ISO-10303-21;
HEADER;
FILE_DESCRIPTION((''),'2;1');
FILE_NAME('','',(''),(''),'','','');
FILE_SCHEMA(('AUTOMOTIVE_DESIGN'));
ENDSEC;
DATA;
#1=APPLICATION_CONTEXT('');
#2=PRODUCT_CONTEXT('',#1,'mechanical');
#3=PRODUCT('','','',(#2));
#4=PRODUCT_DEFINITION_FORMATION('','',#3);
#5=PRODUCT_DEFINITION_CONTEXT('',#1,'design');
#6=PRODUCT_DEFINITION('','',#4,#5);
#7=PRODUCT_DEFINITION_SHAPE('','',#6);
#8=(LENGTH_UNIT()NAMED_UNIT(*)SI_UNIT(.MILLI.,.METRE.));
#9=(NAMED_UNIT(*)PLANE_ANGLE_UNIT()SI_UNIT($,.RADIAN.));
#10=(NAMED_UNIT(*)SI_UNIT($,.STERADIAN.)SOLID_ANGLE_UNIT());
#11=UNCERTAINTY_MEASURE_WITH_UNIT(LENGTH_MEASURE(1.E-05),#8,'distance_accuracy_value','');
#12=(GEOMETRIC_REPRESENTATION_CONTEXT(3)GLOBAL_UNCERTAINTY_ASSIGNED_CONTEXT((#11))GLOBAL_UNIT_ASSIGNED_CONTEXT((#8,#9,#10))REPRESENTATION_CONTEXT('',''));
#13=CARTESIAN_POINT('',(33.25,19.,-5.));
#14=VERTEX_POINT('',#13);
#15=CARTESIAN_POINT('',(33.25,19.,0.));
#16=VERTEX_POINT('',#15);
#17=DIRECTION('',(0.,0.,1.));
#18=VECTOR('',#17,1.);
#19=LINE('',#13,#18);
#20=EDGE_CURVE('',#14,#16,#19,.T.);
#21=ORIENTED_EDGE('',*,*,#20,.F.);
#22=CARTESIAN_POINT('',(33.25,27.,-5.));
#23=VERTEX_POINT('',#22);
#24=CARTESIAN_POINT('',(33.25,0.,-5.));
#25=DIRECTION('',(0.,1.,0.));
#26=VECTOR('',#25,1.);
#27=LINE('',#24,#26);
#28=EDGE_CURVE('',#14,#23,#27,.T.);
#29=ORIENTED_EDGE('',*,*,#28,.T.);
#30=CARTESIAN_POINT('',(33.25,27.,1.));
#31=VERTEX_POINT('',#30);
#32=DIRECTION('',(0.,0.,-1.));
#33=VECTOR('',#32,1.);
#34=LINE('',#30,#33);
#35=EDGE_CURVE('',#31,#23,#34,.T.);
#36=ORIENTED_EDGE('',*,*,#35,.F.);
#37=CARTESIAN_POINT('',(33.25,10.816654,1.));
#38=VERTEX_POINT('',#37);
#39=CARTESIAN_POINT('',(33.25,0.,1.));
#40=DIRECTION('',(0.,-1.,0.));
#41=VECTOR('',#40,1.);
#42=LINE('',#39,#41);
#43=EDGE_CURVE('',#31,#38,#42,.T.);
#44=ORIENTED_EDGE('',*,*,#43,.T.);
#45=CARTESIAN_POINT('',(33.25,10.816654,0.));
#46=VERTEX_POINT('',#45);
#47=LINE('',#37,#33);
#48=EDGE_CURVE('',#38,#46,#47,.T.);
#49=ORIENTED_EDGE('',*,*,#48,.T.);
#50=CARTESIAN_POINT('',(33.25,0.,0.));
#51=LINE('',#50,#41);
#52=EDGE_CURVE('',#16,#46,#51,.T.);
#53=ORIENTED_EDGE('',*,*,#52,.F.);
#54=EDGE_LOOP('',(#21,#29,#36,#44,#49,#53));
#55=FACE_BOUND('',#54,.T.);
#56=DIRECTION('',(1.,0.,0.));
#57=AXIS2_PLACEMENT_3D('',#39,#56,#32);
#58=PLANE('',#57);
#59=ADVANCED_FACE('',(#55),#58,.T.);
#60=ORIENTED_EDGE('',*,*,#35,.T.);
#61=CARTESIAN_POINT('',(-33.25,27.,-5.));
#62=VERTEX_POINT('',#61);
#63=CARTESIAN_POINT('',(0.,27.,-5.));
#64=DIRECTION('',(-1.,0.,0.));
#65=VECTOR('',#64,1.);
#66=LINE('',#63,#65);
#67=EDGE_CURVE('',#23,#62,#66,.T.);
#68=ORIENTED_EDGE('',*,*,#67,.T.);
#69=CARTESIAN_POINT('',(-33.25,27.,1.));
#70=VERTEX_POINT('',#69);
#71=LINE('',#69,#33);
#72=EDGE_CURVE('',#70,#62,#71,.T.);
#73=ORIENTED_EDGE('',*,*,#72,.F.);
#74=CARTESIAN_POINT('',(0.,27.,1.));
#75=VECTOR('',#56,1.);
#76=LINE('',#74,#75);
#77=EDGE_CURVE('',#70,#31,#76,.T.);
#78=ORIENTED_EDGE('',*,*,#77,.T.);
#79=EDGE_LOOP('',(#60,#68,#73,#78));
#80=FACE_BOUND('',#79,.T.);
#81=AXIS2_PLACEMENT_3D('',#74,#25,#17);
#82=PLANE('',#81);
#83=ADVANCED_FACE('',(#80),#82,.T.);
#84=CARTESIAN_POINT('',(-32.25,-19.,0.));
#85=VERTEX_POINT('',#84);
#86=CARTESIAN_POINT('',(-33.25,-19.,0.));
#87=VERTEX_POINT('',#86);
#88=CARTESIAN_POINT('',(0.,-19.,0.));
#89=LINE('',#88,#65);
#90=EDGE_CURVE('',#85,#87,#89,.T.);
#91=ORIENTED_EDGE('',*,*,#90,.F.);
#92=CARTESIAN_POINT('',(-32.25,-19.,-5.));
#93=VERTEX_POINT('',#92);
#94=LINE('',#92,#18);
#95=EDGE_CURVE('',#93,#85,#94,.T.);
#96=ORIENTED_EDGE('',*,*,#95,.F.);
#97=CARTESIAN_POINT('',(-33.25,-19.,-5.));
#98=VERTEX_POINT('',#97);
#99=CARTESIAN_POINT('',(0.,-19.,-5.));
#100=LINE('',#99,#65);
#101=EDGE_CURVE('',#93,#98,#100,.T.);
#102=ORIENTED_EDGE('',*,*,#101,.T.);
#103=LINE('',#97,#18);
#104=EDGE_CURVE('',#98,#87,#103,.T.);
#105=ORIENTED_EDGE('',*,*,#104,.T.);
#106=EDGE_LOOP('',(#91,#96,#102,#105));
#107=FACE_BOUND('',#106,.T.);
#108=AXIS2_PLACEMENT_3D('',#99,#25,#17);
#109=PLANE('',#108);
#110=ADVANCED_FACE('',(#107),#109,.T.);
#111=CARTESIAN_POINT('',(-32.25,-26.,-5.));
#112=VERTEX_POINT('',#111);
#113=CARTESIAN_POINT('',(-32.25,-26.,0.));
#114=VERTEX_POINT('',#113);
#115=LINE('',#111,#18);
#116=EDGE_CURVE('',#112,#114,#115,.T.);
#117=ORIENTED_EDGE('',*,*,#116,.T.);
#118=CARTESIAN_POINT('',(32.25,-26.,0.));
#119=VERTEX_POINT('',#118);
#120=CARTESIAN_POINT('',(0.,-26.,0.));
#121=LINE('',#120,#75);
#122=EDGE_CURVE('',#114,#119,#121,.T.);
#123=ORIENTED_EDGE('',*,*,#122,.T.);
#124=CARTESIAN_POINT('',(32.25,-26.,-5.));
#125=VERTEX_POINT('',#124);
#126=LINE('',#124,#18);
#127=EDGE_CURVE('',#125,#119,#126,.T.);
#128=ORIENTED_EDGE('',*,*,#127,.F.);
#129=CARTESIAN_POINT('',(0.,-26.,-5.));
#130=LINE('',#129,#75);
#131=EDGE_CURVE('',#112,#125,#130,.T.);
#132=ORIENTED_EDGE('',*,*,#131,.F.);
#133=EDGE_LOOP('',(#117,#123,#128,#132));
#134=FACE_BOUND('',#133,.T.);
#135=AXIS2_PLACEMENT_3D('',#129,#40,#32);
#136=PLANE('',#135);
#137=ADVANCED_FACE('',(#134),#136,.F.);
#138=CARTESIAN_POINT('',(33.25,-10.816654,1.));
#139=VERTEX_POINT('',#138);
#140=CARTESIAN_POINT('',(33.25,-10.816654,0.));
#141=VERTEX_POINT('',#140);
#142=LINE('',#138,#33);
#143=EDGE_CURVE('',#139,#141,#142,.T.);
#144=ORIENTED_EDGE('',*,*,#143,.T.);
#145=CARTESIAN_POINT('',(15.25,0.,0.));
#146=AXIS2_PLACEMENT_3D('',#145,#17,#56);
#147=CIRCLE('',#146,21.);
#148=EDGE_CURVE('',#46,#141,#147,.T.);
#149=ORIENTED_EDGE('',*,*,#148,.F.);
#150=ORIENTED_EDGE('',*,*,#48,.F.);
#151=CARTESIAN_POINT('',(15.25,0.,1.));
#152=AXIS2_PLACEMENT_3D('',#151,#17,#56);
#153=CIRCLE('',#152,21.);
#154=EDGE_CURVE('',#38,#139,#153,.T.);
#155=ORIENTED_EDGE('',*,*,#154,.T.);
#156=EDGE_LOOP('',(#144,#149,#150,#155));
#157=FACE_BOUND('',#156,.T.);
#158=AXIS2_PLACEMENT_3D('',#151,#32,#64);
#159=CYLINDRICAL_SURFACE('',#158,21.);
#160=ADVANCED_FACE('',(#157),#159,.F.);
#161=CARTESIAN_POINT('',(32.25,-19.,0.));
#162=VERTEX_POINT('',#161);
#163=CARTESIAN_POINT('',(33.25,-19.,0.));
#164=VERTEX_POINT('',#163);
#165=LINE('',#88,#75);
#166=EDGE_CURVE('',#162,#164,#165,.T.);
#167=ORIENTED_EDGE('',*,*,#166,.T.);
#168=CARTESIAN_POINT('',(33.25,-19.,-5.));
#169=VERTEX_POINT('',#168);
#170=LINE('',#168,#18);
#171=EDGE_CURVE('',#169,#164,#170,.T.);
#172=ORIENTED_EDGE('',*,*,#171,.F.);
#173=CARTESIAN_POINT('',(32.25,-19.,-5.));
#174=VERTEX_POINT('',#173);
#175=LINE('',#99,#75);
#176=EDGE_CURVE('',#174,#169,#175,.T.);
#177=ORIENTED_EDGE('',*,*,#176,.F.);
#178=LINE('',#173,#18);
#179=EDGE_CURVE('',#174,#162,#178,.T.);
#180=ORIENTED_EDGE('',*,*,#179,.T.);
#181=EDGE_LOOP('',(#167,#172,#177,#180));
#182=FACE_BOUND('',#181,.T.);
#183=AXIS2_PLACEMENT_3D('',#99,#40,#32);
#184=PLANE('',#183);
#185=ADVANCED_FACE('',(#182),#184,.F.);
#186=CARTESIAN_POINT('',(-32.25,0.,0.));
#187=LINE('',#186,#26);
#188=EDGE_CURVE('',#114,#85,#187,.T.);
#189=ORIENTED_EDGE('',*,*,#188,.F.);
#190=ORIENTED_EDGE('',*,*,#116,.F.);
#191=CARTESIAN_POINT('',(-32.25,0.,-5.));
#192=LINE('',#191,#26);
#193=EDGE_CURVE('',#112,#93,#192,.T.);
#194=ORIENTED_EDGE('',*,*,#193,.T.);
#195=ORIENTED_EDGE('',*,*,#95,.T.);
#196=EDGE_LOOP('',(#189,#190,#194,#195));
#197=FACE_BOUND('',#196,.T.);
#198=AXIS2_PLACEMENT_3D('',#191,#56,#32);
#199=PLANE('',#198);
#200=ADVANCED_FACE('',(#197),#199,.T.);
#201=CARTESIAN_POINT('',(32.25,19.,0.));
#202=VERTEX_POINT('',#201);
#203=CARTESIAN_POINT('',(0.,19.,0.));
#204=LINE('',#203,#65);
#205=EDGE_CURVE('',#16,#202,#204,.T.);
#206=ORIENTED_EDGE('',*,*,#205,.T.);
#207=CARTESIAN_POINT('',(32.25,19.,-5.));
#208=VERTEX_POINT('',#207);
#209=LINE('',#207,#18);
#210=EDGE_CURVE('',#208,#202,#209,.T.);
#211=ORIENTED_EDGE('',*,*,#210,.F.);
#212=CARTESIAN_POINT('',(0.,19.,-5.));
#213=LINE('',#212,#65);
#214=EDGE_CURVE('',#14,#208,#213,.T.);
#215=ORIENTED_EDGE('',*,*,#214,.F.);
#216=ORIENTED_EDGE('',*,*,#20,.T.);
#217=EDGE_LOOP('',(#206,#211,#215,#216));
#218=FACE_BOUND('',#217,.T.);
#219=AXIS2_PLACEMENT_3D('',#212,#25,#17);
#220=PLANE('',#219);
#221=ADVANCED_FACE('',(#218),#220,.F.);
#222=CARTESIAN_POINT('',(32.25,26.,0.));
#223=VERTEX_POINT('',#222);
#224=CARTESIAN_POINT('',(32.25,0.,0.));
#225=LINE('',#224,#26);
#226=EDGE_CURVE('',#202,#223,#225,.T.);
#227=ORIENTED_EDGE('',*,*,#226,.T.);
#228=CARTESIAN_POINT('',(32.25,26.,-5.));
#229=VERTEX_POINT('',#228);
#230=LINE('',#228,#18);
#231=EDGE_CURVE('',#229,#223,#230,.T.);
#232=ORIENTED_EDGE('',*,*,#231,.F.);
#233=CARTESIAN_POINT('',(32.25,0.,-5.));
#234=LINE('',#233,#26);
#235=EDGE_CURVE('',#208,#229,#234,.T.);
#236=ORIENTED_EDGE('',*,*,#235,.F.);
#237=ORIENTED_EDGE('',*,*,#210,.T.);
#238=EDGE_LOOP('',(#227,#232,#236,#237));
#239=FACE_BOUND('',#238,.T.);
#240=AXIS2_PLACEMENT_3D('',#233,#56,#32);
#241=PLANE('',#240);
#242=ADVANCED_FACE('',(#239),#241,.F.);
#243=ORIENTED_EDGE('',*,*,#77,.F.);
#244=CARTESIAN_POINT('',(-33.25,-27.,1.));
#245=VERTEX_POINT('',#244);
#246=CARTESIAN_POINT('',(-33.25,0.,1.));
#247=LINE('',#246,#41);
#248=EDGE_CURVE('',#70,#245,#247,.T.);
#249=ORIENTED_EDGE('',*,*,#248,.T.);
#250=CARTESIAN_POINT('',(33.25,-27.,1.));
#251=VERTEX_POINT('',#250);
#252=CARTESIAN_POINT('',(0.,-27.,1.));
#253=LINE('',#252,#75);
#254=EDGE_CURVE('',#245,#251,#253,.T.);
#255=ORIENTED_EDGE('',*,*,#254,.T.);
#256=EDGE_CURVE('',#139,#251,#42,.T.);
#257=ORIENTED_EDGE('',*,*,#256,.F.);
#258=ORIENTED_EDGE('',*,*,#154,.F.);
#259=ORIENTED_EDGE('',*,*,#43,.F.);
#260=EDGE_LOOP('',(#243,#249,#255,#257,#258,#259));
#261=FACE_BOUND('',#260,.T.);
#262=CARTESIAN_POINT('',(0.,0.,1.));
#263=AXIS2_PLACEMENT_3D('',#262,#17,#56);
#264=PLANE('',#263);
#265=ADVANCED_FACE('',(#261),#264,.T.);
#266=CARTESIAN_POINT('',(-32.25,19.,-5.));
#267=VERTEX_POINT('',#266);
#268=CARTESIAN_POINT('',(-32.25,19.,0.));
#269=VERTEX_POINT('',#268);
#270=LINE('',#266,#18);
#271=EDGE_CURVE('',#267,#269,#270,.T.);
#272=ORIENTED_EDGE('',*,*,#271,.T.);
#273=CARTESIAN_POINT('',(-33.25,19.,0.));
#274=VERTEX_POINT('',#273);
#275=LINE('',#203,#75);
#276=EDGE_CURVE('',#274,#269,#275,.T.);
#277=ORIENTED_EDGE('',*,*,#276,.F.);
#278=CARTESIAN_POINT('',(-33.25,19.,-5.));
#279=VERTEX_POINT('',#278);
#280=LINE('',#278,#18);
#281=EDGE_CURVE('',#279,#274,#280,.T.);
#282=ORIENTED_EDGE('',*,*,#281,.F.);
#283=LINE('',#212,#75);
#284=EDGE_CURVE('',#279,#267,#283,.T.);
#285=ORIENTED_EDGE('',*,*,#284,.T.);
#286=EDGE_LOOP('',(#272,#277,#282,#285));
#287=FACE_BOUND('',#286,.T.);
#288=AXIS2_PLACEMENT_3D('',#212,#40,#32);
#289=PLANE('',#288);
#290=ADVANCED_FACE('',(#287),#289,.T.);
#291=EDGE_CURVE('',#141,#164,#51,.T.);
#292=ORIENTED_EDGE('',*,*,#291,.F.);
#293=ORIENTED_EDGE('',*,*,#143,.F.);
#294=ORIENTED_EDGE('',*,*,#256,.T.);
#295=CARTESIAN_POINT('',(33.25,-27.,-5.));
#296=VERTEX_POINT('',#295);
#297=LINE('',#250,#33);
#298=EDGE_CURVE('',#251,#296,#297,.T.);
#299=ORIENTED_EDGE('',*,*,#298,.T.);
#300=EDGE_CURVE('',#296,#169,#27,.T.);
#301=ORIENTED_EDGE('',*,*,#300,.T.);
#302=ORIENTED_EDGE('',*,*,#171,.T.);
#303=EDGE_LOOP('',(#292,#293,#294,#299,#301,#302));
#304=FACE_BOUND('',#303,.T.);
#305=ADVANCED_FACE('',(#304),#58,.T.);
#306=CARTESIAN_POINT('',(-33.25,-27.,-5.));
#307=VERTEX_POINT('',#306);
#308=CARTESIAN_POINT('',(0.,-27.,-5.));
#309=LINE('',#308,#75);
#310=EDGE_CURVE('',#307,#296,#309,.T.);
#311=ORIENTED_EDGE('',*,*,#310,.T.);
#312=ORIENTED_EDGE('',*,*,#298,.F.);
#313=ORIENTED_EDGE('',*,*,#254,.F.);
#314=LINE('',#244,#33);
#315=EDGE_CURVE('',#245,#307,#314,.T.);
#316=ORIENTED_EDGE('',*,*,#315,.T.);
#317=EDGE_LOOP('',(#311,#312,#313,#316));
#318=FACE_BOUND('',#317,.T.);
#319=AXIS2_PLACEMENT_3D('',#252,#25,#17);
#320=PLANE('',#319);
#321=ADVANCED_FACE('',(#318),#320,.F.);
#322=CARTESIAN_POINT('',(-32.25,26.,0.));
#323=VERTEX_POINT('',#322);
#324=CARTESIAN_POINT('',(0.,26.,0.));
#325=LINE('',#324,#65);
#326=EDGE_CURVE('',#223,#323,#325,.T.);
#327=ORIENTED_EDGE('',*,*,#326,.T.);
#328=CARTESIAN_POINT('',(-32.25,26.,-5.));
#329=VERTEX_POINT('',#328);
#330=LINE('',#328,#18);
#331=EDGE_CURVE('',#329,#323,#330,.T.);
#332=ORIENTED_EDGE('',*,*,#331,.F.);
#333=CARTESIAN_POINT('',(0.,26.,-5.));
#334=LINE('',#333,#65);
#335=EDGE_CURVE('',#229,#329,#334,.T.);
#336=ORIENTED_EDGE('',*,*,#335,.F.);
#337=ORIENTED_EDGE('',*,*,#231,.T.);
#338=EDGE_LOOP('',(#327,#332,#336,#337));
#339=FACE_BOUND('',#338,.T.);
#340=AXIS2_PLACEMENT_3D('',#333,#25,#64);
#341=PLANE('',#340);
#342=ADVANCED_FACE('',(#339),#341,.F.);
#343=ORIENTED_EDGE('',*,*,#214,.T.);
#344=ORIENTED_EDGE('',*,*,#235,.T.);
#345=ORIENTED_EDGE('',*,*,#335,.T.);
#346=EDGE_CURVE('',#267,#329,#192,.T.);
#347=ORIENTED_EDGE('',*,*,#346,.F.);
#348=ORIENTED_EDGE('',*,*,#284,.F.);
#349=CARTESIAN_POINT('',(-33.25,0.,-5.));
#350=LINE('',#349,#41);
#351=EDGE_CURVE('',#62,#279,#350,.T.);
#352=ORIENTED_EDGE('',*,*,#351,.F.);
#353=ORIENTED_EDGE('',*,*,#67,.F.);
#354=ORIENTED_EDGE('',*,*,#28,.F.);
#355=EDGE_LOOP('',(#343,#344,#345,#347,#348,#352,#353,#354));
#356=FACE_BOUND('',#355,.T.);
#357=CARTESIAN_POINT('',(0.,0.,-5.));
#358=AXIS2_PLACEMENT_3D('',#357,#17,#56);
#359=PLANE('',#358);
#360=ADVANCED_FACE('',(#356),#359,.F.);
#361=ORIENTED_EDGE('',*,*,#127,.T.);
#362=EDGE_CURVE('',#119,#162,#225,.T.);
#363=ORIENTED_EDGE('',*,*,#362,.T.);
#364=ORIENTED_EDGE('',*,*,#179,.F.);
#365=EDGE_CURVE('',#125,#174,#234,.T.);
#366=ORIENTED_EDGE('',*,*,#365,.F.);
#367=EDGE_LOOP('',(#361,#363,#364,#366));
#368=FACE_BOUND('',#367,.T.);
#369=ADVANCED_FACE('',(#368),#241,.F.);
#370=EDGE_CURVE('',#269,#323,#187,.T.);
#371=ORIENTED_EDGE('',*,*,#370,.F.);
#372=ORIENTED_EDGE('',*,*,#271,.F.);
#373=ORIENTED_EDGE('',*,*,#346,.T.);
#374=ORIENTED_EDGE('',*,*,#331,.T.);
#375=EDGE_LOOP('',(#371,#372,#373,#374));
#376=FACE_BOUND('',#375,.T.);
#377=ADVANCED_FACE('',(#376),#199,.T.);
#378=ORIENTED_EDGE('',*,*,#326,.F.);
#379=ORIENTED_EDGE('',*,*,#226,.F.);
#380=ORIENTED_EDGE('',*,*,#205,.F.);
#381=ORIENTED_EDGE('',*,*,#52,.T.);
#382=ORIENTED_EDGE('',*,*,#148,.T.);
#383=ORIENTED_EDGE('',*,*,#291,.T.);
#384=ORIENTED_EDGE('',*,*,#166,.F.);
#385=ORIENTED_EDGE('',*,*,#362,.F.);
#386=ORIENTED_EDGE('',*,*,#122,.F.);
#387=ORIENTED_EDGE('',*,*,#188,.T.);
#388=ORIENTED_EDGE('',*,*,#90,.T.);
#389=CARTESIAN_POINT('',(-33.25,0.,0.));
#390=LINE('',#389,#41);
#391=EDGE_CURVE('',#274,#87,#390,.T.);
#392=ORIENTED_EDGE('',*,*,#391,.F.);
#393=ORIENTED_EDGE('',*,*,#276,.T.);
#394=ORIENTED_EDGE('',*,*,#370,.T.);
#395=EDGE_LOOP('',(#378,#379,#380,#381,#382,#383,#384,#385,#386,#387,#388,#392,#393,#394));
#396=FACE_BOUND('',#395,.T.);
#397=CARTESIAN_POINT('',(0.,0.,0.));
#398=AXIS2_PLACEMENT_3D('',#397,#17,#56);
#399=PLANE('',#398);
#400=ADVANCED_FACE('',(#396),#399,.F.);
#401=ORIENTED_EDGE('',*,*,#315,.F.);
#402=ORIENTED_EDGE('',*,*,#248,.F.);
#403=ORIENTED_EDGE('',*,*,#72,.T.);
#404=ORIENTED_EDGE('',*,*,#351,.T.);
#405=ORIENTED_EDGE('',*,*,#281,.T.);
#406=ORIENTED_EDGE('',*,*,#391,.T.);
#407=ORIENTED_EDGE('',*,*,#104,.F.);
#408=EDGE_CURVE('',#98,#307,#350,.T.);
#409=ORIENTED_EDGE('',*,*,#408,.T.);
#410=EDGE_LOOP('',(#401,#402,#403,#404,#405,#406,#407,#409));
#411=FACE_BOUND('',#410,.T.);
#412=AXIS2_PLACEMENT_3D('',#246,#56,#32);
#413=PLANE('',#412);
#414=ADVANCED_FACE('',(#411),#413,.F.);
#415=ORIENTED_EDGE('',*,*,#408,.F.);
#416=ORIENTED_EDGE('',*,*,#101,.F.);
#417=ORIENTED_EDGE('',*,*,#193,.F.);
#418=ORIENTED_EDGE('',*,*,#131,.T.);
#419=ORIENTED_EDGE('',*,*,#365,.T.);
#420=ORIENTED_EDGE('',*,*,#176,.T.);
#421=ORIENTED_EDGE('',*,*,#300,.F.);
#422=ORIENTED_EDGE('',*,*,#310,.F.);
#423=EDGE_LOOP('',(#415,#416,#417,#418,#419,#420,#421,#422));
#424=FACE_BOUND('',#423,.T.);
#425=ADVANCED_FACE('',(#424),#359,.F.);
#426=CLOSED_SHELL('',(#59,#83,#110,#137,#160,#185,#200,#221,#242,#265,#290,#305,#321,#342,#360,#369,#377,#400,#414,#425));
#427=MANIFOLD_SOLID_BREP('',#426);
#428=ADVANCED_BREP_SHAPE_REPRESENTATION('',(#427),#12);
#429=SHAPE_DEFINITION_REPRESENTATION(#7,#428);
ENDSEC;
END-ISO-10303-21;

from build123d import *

# Parameters (mm, degrees)
BOSS_EXTRUDE1_DEPTH = 1
BOSS_EXTRUDE2_START = -1
BOSS_EXTRUDE2_DEPTH = 5


with BuildPart() as part:
    # Sketch1 → Boss-Extrude1 (new body)
    with BuildSketch(Plane.XY):
        with BuildLine():
            Line((33.25, 27), (-33.25, 27))
            Line((-33.25, 27), (-33.25, -27))
            Line((-33.25, -27), (33.25, -27))
            Line((33.25, -27), (33.25, -10.816653826))
            ThreePointArc((33.25, -10.816653826), (-5.75, 0), (33.25, 10.816653826))
            Line((33.25, 10.816653826), (33.25, 27))
        make_face()
    extrude(amount=BOSS_EXTRUDE1_DEPTH)

    # Sketch2 → Boss-Extrude2 (add)
    with BuildSketch(Plane.XY.offset(1).offset(BOSS_EXTRUDE2_START)):
        Polygon((33.25, -19), (32.25, -19), (32.25, -26), (-32.25, -26), (-32.25, -19), (-33.25, -19), (-33.25, -27), (33.25, -27), align=None)
        Polygon((33.25, 27), (-33.25, 27), (-33.25, 19), (-32.25, 19), (-32.25, 26), (32.25, 26), (32.25, 19), (33.25, 19), align=None)
    extrude(amount=-BOSS_EXTRUDE2_DEPTH)


solid = part.part
